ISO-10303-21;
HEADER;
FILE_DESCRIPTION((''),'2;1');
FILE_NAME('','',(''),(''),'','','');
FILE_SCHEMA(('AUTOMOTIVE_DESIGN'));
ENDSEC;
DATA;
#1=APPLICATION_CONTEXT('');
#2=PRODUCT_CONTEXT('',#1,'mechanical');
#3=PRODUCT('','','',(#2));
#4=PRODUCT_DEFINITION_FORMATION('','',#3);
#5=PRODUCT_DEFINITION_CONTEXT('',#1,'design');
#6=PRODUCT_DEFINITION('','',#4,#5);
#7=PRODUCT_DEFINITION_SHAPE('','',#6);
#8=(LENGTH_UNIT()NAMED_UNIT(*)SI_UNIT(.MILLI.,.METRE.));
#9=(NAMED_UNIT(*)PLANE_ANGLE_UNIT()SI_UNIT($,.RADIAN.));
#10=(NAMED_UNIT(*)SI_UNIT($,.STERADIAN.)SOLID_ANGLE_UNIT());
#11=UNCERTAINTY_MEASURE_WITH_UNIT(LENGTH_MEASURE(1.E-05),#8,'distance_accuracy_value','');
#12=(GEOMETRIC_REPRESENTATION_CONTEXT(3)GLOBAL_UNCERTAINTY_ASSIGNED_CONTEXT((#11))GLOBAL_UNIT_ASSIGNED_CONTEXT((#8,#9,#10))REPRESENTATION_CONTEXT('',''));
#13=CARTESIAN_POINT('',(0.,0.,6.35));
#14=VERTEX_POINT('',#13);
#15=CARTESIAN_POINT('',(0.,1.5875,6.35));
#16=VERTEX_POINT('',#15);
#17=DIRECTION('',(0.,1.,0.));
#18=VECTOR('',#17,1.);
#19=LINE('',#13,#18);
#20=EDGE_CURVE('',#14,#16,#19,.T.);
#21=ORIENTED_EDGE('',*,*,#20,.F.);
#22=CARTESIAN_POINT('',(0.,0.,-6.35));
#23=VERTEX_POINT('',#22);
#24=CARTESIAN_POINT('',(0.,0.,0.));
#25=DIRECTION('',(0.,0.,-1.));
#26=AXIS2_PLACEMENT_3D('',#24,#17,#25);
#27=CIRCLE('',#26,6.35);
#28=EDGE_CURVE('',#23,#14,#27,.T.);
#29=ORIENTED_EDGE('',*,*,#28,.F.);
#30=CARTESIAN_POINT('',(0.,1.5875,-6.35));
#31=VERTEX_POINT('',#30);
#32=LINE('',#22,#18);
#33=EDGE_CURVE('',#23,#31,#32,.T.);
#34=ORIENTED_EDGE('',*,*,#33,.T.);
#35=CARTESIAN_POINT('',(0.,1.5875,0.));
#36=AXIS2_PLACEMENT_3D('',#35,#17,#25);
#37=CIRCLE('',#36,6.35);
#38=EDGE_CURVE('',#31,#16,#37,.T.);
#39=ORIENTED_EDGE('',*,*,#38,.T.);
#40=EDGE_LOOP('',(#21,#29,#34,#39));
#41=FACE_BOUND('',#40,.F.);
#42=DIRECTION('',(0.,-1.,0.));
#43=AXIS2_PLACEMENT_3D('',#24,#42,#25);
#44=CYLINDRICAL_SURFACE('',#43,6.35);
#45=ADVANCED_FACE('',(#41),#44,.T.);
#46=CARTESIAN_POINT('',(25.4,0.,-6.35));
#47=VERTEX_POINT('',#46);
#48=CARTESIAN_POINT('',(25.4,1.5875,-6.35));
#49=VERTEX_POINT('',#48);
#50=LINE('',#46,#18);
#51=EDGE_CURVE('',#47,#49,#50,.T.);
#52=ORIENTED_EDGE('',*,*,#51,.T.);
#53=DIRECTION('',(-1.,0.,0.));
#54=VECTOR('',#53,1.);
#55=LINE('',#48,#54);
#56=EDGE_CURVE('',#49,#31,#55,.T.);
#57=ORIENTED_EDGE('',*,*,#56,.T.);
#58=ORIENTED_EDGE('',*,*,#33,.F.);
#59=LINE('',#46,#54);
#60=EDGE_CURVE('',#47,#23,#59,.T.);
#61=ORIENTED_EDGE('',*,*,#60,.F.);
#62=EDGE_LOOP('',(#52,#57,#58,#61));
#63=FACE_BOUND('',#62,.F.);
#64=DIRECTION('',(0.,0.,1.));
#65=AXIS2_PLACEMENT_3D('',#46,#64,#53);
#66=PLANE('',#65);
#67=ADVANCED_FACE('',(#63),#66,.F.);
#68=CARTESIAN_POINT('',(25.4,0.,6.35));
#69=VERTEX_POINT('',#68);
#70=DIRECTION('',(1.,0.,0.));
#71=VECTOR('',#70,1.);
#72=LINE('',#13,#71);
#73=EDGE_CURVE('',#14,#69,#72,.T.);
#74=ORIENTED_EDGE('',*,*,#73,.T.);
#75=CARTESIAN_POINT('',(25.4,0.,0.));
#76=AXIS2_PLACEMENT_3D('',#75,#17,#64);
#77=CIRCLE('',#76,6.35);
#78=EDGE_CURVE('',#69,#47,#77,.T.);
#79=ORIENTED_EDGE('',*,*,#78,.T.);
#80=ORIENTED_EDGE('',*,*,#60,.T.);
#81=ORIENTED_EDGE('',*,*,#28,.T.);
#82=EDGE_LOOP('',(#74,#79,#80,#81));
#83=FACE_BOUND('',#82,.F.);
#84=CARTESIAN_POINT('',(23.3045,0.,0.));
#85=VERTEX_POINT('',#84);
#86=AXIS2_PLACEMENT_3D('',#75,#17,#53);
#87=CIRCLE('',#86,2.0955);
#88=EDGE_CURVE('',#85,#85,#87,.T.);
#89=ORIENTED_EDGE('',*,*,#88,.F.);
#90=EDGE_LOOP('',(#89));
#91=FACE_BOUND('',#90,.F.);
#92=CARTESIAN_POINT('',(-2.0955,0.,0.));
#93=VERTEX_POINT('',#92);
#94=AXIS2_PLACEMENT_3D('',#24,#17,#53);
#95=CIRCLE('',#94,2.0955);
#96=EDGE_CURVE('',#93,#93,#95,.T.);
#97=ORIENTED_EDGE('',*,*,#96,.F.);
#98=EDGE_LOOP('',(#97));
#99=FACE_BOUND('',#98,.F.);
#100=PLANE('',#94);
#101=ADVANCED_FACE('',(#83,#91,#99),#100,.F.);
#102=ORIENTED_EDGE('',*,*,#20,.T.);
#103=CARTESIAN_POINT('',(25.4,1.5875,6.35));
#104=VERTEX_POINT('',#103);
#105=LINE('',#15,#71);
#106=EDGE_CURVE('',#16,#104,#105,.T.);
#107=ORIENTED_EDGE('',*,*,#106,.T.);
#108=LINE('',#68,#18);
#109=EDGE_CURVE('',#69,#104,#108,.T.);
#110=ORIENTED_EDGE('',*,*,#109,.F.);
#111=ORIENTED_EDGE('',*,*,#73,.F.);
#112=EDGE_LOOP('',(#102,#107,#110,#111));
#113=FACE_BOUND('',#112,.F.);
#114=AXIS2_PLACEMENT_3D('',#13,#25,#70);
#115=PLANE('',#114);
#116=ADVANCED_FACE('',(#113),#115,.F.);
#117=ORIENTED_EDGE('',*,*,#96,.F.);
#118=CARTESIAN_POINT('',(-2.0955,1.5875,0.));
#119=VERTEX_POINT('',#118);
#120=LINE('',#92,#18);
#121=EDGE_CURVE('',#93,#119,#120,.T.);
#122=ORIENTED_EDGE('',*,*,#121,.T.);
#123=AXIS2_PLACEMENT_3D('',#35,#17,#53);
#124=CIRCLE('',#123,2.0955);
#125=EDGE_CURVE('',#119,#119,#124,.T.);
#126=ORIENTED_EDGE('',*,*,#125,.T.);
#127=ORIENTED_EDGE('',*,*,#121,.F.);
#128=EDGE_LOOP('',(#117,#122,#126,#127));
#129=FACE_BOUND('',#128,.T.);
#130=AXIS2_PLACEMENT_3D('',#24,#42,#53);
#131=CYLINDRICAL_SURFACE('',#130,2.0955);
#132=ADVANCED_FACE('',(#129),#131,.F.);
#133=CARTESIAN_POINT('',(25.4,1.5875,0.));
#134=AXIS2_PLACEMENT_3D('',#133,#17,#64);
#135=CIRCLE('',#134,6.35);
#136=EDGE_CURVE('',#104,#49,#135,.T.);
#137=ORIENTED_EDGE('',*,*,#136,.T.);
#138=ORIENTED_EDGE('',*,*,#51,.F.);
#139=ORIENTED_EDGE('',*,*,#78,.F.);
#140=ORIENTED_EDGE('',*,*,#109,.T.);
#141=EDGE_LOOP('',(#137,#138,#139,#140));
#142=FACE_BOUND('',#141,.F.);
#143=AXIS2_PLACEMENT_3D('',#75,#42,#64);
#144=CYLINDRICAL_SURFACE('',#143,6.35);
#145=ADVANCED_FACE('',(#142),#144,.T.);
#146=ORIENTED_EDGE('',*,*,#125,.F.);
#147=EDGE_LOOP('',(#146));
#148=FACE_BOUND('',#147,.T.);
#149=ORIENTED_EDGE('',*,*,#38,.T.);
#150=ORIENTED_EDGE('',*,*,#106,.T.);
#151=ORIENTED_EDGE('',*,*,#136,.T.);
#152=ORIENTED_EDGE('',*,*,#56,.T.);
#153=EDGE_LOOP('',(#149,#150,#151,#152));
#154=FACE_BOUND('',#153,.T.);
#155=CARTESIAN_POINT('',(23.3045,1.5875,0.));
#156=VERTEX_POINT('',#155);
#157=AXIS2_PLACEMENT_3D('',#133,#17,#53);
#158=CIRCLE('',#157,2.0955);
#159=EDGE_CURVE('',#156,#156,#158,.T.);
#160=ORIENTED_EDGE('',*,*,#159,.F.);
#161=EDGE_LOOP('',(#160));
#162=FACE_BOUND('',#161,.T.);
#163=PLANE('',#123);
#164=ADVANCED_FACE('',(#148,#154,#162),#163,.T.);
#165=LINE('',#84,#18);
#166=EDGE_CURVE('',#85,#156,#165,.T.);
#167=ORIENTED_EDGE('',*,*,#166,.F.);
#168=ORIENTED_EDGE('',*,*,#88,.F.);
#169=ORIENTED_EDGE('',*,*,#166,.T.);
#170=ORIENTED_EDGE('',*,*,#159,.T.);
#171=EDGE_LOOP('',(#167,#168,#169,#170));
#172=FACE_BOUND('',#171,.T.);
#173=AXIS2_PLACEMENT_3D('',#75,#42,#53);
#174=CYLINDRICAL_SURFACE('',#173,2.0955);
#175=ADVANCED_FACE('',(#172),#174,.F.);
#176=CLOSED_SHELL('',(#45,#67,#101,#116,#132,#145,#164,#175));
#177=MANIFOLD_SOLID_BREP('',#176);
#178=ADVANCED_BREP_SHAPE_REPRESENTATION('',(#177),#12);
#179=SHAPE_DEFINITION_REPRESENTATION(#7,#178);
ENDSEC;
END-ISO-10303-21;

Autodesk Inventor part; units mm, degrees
ref_plane "YZ Plane" through (0, 0, 0) normal (1, 0, 0) x (0, 1, 0)
ref_plane "XZ Plane" through (0, 0, 0) normal (0, 1, 0) x (-1, 0, 0)
ref_plane "XY Plane" through (0, 0, 0) normal (0, 0, 1) x (1, 0, 0)
sketch "Sketch1" plane through (0, 0, 0) normal (0, 1, 0) x (-1, 0, 0)
  circle A0 centre (0, 0) radius 2.0955
  circle A1 centre (-25.4, 0) radius 2.0955
  arc A2 (0, -6.35) -> (0, 6.35) centre (0, 0) ccw
  arc A3 (-25.4, 6.35) -> (-25.4, -6.35) centre (-25.4, 0) ccw
  line L0 (0, 6.35) -> (-25.4, 6.35)
  line L1 (-25.4, -6.35) -> (0, -6.35)
  dimension "d0" = 4.191
  dimension "d1" = 4.191
  dimension "d2" = 12.7
  dimension "d3" = 12.7
extrude "Extrusion1" add sketch "Sketch1" along normal blind 1.5875
properties part number "Gear Shield" material "Acetal Resin, White"
